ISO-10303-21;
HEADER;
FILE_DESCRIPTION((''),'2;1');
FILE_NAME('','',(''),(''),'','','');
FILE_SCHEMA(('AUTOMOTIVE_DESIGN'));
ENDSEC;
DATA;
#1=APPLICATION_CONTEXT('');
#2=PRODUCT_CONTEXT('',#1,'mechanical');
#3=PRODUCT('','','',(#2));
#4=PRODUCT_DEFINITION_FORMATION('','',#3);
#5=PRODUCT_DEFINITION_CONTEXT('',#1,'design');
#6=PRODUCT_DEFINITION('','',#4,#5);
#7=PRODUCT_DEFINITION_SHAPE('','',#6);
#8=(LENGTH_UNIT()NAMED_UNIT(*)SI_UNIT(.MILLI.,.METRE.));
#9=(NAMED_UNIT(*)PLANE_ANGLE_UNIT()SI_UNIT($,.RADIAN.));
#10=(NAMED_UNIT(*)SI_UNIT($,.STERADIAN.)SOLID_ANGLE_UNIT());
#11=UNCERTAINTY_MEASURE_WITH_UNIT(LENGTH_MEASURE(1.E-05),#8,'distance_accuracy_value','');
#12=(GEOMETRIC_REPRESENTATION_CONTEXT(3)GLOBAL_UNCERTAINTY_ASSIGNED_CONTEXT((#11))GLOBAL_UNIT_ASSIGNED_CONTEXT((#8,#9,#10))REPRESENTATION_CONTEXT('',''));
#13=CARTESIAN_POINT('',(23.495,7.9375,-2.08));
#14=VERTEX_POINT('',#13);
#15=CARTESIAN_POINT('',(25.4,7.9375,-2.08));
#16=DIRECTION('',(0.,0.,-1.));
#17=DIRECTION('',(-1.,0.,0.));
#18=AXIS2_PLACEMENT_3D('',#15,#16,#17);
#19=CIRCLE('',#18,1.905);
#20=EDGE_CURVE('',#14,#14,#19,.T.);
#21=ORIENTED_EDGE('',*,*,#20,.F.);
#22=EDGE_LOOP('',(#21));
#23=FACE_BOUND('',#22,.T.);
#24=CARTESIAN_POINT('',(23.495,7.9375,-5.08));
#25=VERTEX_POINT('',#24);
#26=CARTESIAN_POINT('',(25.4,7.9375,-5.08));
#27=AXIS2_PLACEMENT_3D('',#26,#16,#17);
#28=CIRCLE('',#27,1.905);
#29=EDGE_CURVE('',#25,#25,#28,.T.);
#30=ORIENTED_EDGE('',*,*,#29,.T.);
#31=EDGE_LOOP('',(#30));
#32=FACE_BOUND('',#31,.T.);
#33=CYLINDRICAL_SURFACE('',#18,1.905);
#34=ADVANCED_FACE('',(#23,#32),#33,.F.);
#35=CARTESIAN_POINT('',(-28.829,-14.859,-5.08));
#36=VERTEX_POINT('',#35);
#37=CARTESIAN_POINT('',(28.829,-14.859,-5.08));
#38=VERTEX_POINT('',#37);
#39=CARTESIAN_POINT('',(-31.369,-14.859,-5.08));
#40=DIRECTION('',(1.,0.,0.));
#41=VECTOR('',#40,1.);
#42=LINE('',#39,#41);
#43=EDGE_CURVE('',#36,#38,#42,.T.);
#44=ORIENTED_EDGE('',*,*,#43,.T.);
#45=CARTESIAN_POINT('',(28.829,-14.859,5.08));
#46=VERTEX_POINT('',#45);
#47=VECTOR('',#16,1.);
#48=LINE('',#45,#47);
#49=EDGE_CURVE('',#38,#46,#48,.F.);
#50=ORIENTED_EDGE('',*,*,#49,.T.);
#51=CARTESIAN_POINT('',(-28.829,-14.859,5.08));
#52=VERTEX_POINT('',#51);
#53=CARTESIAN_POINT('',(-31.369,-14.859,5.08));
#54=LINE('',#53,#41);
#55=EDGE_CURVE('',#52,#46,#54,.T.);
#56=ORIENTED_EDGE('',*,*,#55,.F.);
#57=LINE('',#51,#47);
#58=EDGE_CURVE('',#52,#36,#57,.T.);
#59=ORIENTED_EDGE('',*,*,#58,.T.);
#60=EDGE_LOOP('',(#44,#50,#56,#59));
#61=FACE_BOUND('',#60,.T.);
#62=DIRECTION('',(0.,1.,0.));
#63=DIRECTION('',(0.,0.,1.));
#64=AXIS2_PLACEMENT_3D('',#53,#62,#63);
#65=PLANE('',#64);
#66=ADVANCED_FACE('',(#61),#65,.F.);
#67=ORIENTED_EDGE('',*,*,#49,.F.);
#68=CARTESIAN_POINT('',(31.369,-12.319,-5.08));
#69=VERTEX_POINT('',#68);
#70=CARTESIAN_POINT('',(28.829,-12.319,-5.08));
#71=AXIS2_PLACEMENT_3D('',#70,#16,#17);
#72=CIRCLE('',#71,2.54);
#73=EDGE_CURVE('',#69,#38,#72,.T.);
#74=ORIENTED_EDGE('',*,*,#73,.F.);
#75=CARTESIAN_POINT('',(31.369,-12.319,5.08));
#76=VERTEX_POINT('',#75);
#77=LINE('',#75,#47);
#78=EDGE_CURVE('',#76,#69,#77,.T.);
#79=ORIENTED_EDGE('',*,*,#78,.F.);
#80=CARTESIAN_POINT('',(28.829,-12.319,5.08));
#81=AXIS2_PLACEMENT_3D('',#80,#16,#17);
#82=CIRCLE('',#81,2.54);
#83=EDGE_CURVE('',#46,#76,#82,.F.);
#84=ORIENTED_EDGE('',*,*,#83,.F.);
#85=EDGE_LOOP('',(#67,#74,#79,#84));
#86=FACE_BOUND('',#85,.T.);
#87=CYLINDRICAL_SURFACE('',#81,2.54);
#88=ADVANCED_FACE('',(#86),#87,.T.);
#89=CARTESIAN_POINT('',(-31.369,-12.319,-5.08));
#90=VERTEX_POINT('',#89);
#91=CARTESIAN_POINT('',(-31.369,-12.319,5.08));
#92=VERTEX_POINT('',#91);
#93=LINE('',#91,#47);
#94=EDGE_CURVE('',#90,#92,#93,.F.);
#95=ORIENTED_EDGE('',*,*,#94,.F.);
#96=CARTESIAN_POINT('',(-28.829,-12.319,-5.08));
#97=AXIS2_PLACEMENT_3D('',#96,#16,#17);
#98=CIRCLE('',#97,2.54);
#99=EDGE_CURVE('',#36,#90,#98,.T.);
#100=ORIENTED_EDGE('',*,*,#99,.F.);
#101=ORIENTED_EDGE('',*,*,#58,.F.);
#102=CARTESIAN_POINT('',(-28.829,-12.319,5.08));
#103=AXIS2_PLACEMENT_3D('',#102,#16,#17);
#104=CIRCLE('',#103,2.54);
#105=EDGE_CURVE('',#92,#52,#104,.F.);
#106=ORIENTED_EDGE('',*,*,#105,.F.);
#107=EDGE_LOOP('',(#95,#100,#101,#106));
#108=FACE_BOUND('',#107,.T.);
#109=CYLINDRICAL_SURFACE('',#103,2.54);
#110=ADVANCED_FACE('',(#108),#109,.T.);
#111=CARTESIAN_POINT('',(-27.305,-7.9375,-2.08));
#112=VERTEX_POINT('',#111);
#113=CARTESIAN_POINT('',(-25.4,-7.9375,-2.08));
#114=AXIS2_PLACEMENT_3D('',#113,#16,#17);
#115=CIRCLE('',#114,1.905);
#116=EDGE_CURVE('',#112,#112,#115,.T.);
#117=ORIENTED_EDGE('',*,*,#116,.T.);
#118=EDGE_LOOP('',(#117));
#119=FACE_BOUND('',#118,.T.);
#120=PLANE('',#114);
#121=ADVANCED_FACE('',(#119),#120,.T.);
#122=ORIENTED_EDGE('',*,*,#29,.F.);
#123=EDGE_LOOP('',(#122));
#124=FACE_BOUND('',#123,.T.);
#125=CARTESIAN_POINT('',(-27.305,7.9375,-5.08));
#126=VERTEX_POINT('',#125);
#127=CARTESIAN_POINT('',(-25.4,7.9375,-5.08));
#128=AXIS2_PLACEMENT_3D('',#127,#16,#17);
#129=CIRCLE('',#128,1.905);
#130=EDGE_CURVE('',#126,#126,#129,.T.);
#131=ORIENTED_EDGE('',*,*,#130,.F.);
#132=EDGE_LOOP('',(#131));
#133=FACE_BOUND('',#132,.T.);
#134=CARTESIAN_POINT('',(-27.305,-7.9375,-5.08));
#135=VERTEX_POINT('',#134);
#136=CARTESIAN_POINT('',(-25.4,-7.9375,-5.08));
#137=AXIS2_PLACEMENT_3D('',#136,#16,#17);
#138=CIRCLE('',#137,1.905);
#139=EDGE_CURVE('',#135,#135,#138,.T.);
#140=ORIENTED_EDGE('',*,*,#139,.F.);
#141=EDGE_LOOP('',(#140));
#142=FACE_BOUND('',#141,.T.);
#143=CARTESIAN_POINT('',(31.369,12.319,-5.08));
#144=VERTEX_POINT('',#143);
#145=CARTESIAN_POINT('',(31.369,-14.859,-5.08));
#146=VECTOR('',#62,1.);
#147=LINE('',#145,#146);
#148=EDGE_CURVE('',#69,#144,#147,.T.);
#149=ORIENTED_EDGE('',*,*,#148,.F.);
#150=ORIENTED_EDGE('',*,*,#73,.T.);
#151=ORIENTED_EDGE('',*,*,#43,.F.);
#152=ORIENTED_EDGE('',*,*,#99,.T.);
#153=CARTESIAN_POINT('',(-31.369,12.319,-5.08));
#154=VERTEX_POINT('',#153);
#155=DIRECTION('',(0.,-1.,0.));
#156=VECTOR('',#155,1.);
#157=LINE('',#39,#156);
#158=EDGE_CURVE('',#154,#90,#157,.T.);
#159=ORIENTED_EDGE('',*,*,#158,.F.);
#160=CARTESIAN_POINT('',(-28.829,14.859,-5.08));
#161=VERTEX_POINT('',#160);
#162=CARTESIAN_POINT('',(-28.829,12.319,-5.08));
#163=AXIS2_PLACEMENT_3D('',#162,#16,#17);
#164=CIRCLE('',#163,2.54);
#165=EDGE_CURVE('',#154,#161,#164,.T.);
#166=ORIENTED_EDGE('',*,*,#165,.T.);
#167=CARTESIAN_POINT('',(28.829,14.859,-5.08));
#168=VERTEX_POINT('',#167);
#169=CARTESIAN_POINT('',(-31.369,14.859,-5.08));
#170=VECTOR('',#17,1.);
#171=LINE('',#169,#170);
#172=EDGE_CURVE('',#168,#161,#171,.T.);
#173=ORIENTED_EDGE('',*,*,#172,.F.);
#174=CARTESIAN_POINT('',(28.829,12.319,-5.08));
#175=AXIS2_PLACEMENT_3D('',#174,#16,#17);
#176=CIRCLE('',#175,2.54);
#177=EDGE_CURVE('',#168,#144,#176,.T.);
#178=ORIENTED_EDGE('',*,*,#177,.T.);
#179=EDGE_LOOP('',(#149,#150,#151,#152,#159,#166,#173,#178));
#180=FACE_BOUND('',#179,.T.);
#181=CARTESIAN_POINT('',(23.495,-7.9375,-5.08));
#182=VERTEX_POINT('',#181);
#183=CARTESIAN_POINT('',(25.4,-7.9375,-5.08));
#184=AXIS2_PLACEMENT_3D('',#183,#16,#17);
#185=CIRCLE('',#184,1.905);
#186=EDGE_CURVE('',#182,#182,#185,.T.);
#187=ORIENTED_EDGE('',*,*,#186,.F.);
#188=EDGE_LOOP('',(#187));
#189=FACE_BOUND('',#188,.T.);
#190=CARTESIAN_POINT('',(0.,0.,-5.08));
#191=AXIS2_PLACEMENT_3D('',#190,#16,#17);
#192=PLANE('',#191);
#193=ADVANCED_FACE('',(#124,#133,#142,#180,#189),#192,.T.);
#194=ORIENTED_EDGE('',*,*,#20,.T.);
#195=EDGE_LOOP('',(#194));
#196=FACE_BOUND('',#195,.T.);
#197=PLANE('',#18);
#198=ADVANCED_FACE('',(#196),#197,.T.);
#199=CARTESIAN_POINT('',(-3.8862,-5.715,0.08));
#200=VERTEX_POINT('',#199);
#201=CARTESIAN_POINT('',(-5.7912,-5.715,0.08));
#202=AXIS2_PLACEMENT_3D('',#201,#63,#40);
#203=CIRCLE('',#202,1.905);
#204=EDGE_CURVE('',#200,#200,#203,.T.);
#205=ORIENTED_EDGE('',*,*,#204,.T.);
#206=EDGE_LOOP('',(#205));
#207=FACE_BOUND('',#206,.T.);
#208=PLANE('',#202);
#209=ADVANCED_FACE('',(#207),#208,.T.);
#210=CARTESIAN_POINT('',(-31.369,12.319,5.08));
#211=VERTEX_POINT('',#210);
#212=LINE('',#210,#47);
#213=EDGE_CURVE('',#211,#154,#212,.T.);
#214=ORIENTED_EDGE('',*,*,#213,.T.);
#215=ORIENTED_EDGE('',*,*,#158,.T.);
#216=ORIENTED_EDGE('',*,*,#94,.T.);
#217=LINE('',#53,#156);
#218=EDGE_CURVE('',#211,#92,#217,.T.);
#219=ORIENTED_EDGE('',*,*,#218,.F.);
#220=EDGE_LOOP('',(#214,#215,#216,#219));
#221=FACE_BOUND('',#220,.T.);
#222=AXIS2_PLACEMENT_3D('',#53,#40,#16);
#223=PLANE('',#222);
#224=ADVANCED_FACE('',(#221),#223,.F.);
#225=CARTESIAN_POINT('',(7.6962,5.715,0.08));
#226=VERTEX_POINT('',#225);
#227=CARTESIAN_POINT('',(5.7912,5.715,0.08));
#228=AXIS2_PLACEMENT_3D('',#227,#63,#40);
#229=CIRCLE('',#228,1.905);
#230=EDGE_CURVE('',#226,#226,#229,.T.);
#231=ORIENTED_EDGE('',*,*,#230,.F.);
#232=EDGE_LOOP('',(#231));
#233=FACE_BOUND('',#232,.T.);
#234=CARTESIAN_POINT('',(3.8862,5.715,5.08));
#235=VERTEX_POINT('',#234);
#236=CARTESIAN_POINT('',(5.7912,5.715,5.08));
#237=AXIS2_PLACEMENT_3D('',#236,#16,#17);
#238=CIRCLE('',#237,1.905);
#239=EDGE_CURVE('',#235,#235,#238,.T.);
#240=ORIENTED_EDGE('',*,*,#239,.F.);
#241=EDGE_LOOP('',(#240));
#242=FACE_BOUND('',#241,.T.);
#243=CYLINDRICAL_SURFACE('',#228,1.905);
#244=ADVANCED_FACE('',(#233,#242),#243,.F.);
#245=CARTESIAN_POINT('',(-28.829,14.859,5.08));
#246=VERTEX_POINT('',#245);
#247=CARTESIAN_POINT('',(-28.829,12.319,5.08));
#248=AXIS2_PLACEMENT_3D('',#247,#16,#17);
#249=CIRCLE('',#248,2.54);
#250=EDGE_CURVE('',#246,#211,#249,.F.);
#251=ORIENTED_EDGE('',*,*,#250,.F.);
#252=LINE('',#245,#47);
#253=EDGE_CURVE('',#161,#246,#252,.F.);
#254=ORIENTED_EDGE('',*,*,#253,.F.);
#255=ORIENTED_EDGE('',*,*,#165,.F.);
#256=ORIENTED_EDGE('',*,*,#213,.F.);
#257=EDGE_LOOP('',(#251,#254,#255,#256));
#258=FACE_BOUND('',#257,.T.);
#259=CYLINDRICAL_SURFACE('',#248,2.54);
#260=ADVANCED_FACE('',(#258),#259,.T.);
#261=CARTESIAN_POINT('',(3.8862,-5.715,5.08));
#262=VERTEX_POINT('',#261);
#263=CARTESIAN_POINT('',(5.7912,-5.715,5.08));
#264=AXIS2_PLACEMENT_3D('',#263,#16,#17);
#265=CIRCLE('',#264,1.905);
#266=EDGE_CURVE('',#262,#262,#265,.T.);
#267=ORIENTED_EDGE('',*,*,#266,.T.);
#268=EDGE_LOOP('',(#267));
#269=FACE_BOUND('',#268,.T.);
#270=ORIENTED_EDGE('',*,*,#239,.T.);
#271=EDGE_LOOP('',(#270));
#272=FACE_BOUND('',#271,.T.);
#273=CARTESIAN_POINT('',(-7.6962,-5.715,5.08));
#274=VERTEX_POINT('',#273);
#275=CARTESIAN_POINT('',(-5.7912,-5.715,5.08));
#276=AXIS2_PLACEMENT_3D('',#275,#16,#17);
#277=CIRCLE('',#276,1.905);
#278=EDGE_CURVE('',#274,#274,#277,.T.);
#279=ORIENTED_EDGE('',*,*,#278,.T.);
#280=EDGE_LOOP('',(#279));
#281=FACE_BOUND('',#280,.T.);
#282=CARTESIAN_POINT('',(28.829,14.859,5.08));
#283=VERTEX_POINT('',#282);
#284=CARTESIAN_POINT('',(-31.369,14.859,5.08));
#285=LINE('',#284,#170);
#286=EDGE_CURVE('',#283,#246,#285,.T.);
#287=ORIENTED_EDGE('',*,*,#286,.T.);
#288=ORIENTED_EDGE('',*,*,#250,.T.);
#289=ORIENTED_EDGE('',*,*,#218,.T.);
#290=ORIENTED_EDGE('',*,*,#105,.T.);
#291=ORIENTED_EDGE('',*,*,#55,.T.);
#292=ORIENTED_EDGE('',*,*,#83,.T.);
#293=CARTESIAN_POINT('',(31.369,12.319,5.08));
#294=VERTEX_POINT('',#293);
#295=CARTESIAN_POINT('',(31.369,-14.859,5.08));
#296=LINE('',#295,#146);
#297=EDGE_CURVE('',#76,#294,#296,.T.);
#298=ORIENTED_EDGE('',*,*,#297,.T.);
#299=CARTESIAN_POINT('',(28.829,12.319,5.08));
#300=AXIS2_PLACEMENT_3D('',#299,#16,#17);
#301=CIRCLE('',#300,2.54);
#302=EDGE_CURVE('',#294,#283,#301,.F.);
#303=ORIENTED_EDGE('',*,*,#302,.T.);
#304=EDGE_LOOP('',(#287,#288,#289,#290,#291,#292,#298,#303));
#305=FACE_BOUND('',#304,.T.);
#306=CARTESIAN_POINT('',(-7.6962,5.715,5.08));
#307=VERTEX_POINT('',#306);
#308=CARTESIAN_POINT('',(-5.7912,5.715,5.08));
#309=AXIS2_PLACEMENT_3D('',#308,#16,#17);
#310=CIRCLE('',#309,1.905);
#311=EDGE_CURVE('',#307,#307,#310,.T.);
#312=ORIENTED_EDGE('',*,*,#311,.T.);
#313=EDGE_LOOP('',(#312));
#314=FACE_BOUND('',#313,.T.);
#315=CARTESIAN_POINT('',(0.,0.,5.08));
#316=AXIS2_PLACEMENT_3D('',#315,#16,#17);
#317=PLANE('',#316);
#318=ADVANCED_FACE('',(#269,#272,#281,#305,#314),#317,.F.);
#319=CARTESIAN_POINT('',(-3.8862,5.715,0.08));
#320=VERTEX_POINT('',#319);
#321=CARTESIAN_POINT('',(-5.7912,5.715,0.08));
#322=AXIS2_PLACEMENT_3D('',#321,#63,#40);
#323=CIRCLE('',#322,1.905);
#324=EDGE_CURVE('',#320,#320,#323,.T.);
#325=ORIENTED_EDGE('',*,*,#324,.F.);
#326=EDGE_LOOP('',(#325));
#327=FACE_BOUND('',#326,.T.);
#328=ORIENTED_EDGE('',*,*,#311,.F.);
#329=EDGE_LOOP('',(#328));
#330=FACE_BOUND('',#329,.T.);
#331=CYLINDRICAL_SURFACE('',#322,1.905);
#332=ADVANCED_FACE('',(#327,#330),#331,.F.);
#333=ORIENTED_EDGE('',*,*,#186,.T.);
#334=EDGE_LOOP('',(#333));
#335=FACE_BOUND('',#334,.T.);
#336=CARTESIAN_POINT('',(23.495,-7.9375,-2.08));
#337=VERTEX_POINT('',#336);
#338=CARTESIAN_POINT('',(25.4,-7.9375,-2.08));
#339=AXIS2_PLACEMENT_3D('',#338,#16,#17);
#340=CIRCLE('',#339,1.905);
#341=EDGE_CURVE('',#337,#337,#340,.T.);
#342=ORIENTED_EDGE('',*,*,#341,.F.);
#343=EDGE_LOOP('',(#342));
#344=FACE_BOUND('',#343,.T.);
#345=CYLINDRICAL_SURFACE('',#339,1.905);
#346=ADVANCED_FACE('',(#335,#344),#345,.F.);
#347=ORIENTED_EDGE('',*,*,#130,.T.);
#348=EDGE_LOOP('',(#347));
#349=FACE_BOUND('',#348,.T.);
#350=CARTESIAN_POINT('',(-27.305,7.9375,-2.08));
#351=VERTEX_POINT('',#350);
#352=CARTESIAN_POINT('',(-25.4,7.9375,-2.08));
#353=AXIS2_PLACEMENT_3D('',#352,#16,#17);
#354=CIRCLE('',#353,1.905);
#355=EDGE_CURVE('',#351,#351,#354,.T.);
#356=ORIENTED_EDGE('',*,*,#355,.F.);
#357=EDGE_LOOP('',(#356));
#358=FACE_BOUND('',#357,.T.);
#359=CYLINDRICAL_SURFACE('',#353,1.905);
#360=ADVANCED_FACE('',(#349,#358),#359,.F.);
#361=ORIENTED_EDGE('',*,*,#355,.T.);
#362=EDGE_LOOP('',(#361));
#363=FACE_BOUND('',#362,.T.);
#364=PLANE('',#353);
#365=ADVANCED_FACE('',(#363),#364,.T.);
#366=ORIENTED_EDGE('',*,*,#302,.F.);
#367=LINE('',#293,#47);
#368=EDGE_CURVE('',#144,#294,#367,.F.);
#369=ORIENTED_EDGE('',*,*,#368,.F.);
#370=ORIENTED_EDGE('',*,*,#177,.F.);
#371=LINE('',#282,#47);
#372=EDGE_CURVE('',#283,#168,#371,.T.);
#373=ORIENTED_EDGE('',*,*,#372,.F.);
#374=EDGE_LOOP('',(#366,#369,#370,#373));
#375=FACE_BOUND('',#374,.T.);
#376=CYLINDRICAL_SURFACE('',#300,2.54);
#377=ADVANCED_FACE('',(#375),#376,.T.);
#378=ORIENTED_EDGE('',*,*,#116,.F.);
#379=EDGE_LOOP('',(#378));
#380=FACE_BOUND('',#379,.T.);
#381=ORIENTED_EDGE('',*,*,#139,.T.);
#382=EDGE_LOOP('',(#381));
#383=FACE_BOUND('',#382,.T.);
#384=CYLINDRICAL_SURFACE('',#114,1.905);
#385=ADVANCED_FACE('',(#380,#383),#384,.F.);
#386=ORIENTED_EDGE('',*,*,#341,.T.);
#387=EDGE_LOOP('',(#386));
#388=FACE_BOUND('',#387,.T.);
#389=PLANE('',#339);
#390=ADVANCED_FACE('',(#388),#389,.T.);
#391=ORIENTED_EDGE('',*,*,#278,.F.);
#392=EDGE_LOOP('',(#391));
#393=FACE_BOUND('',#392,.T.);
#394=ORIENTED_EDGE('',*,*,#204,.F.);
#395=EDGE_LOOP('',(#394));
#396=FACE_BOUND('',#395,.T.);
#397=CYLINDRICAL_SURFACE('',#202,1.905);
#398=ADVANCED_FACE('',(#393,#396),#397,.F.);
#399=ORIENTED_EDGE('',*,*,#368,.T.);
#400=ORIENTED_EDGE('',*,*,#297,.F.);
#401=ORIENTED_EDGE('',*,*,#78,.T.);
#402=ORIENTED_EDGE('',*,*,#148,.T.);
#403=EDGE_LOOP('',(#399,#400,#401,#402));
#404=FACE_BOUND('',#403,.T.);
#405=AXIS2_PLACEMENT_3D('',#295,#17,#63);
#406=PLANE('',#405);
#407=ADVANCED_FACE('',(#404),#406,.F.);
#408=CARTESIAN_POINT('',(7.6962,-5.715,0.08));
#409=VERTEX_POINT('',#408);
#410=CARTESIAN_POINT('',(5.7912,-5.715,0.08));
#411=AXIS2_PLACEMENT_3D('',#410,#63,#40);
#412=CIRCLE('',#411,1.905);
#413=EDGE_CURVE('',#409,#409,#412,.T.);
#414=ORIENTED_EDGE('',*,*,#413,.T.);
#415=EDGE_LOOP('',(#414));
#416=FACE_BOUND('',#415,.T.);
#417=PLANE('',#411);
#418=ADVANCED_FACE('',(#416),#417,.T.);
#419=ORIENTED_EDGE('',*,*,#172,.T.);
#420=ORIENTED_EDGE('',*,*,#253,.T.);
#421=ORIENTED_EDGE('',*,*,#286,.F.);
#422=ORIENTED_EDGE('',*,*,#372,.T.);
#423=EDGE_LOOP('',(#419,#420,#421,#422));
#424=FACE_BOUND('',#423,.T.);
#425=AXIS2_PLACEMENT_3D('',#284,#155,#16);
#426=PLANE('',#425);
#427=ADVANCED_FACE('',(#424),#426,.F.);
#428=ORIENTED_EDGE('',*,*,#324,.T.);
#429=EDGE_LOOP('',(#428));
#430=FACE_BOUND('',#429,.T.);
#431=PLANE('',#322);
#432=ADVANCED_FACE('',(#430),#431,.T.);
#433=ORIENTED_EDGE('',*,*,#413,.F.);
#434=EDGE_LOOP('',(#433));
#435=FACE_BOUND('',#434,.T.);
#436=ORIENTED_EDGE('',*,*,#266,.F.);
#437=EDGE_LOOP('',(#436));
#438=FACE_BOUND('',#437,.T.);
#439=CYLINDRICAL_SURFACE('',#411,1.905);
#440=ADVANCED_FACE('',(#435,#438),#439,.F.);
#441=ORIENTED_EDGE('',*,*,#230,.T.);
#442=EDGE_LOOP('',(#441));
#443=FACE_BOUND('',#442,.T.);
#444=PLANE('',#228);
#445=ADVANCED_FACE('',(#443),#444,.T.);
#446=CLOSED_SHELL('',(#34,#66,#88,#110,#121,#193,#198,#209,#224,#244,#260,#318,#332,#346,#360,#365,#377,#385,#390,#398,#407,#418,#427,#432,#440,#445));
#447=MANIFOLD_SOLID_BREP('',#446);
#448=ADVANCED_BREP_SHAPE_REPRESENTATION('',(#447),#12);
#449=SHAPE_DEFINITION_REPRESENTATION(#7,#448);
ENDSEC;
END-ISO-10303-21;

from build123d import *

# Parameters (mm, degrees)
SKETCH1_W           = 62.738
SKETCH1_H           = 29.718
BOSS_EXTRUDE1_DEPTH = 5.08
FILLET1_R           = 2.54
SKETCH2_R           = 1.905
CUT_EXTRUDE1_DEPTH  = 5
SKETCH3_R           = 1.905
CUT_EXTRUDE2_DEPTH  = 3


with BuildPart() as part:
    # Sketch1 → Boss-Extrude1 (new body, symmetric)
    with BuildSketch(Plane.XY):
        Rectangle(SKETCH1_W, SKETCH1_H)
    extrude(amount=BOSS_EXTRUDE1_DEPTH, both=True)

    # Fillet1
    fillet1_edges = [part.edges().sort_by_distance(p)[0] for p in [
        (31.369, -14.859, 0),
        (-31.369, -14.859, 0),
        (-31.369, 14.859, 0),
        (31.369, 14.859, 0),
    ]]
    fillet(fillet1_edges, radius=FILLET1_R)

    # Sketch2 → Cut-Extrude1 (cut, symmetric)
    with BuildSketch(Plane.XY.offset(5.08)):
        with Locations((-5.7912, 5.715)):
            Circle(SKETCH2_R)
        with Locations((5.7912, 5.715)):
            Circle(SKETCH2_R)
        with Locations((5.7912, -5.715)):
            Circle(SKETCH2_R)
        with Locations((-5.7912, -5.715)):
            Circle(SKETCH2_R)
    extrude(amount=CUT_EXTRUDE1_DEPTH, both=True, mode=Mode.SUBTRACT)

    # Sketch3 → Cut-Extrude2 (cut, symmetric)
    with BuildSketch(Plane(origin=(0, 0, -5.08), x_dir=(-1, 0, 0), z_dir=(0, 0, -1))):
        with Locations((-25.4, 7.9375)):
            Circle(SKETCH3_R)
        with Locations((-25.4, -7.9375)):
            Circle(SKETCH3_R)
        with Locations((25.4, -7.9375)):
            Circle(SKETCH3_R)
        with Locations((25.4, 7.9375)):
            Circle(SKETCH3_R)
    extrude(amount=CUT_EXTRUDE2_DEPTH, both=True, mode=Mode.SUBTRACT)


solid = part.part
